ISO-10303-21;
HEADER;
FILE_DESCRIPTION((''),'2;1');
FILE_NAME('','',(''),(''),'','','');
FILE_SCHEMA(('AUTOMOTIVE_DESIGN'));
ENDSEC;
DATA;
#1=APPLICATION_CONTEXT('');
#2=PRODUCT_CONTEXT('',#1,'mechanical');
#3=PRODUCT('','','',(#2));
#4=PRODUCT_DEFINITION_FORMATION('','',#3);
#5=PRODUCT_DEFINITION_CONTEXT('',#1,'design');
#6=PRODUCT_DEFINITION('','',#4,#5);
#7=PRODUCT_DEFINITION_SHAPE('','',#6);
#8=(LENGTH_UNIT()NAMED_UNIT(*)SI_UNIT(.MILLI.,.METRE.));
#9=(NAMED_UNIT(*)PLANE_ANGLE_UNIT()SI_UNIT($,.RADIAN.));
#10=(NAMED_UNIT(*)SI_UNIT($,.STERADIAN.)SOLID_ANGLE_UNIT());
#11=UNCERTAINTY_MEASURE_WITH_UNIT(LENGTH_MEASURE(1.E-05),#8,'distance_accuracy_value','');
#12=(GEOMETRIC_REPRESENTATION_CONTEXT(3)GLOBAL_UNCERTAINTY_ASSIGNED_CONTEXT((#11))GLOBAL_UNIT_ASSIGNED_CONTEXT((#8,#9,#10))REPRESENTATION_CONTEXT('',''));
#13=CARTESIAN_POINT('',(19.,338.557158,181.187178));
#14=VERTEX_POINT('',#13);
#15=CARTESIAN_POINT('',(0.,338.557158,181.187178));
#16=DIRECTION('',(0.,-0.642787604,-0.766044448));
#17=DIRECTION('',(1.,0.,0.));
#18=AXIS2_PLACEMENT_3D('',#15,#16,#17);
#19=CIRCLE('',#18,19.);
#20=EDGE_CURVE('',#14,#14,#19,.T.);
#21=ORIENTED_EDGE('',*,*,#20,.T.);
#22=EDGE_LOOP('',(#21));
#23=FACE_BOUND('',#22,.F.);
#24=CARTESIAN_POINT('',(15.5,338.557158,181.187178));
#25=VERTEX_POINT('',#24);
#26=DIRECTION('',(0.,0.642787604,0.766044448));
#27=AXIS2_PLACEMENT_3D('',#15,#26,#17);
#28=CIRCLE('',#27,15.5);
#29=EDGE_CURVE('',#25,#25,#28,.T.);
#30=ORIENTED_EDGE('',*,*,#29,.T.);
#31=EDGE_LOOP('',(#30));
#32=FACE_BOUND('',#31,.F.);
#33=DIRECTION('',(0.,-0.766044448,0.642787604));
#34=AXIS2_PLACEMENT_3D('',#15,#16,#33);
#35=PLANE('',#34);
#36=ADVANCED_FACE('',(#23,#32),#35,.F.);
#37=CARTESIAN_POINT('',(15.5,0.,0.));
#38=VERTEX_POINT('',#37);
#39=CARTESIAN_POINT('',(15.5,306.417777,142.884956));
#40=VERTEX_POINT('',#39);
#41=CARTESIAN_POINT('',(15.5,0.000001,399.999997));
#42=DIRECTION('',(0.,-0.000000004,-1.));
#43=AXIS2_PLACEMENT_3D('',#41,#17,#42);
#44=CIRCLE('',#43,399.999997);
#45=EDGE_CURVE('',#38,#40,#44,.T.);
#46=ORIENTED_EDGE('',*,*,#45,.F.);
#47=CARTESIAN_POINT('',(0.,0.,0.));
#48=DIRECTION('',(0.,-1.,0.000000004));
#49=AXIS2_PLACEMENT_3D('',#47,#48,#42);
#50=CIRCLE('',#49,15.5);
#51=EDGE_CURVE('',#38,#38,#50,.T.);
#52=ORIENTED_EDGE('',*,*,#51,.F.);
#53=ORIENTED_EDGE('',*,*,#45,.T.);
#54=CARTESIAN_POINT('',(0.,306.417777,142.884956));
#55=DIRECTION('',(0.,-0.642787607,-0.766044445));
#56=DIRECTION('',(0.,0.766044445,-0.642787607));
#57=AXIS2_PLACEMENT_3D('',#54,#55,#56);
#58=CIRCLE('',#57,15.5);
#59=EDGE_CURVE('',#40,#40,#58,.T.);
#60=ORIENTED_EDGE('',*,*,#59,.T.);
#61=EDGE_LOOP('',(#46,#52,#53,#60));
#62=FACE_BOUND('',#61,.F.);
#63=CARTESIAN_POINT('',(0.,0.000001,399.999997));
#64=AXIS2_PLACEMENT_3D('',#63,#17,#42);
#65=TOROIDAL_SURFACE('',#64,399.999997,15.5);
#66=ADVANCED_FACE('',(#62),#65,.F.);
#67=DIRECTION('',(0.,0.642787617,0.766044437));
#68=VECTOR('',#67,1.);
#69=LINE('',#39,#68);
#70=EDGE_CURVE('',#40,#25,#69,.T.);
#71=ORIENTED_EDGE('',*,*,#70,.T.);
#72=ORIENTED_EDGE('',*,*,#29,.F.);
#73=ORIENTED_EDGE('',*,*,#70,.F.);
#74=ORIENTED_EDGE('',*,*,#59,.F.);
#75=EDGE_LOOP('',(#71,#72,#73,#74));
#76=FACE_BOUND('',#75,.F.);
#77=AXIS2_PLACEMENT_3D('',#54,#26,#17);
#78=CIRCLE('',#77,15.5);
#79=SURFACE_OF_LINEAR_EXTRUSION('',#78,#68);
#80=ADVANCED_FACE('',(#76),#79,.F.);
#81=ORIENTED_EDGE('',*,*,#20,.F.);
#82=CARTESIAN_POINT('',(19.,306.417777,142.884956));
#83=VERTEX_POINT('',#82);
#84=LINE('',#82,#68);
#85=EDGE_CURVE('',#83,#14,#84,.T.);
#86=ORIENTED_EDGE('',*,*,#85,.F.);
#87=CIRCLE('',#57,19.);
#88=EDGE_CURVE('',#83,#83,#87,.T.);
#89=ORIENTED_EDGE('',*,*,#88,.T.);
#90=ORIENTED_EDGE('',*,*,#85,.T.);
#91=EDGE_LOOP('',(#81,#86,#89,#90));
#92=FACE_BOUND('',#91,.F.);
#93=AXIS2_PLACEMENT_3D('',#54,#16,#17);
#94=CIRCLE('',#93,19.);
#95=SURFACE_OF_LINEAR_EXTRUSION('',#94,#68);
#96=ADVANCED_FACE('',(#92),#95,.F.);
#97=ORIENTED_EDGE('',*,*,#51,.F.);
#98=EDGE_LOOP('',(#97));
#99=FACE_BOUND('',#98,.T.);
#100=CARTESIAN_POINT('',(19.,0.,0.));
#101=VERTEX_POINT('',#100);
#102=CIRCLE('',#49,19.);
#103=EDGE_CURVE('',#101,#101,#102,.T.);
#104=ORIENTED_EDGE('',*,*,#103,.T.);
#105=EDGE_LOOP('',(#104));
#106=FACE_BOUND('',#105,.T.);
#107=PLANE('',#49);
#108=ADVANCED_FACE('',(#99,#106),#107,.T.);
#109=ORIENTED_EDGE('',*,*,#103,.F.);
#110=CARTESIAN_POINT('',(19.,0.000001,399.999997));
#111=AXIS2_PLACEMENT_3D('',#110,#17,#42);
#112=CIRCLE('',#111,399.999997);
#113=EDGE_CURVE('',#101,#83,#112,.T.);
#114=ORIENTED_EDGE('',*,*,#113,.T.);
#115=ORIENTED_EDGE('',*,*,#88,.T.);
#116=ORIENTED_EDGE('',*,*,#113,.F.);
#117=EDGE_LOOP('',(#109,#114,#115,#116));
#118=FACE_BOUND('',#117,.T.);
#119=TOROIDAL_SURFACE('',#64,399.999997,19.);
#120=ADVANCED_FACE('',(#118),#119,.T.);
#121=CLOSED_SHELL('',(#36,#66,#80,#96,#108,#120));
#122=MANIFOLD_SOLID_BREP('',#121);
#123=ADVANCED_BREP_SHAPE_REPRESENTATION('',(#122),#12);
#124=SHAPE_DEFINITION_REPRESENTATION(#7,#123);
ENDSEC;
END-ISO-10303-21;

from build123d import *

# Parameters (mm, degrees)
F0_R   = 19
F0_R_2 = 15.5


with BuildPart() as f2:
    # F2: sweep along a path in F1
    with BuildLine(Plane.YZ) as f2_path:
        ThreePointArc((0, 0), (169.047305, 37.476885), (306.417777, 142.884956))
        Line((306.417777, 142.884956), (338.557158, 181.187178))
    # F0 (on Front) → F2 (sweep)
    with BuildSketch(Plane.XZ):
        Circle(F0_R)
        Circle(F0_R_2, mode=Mode.SUBTRACT)
    sweep(path=f2_path.line)


solid = f2.part
